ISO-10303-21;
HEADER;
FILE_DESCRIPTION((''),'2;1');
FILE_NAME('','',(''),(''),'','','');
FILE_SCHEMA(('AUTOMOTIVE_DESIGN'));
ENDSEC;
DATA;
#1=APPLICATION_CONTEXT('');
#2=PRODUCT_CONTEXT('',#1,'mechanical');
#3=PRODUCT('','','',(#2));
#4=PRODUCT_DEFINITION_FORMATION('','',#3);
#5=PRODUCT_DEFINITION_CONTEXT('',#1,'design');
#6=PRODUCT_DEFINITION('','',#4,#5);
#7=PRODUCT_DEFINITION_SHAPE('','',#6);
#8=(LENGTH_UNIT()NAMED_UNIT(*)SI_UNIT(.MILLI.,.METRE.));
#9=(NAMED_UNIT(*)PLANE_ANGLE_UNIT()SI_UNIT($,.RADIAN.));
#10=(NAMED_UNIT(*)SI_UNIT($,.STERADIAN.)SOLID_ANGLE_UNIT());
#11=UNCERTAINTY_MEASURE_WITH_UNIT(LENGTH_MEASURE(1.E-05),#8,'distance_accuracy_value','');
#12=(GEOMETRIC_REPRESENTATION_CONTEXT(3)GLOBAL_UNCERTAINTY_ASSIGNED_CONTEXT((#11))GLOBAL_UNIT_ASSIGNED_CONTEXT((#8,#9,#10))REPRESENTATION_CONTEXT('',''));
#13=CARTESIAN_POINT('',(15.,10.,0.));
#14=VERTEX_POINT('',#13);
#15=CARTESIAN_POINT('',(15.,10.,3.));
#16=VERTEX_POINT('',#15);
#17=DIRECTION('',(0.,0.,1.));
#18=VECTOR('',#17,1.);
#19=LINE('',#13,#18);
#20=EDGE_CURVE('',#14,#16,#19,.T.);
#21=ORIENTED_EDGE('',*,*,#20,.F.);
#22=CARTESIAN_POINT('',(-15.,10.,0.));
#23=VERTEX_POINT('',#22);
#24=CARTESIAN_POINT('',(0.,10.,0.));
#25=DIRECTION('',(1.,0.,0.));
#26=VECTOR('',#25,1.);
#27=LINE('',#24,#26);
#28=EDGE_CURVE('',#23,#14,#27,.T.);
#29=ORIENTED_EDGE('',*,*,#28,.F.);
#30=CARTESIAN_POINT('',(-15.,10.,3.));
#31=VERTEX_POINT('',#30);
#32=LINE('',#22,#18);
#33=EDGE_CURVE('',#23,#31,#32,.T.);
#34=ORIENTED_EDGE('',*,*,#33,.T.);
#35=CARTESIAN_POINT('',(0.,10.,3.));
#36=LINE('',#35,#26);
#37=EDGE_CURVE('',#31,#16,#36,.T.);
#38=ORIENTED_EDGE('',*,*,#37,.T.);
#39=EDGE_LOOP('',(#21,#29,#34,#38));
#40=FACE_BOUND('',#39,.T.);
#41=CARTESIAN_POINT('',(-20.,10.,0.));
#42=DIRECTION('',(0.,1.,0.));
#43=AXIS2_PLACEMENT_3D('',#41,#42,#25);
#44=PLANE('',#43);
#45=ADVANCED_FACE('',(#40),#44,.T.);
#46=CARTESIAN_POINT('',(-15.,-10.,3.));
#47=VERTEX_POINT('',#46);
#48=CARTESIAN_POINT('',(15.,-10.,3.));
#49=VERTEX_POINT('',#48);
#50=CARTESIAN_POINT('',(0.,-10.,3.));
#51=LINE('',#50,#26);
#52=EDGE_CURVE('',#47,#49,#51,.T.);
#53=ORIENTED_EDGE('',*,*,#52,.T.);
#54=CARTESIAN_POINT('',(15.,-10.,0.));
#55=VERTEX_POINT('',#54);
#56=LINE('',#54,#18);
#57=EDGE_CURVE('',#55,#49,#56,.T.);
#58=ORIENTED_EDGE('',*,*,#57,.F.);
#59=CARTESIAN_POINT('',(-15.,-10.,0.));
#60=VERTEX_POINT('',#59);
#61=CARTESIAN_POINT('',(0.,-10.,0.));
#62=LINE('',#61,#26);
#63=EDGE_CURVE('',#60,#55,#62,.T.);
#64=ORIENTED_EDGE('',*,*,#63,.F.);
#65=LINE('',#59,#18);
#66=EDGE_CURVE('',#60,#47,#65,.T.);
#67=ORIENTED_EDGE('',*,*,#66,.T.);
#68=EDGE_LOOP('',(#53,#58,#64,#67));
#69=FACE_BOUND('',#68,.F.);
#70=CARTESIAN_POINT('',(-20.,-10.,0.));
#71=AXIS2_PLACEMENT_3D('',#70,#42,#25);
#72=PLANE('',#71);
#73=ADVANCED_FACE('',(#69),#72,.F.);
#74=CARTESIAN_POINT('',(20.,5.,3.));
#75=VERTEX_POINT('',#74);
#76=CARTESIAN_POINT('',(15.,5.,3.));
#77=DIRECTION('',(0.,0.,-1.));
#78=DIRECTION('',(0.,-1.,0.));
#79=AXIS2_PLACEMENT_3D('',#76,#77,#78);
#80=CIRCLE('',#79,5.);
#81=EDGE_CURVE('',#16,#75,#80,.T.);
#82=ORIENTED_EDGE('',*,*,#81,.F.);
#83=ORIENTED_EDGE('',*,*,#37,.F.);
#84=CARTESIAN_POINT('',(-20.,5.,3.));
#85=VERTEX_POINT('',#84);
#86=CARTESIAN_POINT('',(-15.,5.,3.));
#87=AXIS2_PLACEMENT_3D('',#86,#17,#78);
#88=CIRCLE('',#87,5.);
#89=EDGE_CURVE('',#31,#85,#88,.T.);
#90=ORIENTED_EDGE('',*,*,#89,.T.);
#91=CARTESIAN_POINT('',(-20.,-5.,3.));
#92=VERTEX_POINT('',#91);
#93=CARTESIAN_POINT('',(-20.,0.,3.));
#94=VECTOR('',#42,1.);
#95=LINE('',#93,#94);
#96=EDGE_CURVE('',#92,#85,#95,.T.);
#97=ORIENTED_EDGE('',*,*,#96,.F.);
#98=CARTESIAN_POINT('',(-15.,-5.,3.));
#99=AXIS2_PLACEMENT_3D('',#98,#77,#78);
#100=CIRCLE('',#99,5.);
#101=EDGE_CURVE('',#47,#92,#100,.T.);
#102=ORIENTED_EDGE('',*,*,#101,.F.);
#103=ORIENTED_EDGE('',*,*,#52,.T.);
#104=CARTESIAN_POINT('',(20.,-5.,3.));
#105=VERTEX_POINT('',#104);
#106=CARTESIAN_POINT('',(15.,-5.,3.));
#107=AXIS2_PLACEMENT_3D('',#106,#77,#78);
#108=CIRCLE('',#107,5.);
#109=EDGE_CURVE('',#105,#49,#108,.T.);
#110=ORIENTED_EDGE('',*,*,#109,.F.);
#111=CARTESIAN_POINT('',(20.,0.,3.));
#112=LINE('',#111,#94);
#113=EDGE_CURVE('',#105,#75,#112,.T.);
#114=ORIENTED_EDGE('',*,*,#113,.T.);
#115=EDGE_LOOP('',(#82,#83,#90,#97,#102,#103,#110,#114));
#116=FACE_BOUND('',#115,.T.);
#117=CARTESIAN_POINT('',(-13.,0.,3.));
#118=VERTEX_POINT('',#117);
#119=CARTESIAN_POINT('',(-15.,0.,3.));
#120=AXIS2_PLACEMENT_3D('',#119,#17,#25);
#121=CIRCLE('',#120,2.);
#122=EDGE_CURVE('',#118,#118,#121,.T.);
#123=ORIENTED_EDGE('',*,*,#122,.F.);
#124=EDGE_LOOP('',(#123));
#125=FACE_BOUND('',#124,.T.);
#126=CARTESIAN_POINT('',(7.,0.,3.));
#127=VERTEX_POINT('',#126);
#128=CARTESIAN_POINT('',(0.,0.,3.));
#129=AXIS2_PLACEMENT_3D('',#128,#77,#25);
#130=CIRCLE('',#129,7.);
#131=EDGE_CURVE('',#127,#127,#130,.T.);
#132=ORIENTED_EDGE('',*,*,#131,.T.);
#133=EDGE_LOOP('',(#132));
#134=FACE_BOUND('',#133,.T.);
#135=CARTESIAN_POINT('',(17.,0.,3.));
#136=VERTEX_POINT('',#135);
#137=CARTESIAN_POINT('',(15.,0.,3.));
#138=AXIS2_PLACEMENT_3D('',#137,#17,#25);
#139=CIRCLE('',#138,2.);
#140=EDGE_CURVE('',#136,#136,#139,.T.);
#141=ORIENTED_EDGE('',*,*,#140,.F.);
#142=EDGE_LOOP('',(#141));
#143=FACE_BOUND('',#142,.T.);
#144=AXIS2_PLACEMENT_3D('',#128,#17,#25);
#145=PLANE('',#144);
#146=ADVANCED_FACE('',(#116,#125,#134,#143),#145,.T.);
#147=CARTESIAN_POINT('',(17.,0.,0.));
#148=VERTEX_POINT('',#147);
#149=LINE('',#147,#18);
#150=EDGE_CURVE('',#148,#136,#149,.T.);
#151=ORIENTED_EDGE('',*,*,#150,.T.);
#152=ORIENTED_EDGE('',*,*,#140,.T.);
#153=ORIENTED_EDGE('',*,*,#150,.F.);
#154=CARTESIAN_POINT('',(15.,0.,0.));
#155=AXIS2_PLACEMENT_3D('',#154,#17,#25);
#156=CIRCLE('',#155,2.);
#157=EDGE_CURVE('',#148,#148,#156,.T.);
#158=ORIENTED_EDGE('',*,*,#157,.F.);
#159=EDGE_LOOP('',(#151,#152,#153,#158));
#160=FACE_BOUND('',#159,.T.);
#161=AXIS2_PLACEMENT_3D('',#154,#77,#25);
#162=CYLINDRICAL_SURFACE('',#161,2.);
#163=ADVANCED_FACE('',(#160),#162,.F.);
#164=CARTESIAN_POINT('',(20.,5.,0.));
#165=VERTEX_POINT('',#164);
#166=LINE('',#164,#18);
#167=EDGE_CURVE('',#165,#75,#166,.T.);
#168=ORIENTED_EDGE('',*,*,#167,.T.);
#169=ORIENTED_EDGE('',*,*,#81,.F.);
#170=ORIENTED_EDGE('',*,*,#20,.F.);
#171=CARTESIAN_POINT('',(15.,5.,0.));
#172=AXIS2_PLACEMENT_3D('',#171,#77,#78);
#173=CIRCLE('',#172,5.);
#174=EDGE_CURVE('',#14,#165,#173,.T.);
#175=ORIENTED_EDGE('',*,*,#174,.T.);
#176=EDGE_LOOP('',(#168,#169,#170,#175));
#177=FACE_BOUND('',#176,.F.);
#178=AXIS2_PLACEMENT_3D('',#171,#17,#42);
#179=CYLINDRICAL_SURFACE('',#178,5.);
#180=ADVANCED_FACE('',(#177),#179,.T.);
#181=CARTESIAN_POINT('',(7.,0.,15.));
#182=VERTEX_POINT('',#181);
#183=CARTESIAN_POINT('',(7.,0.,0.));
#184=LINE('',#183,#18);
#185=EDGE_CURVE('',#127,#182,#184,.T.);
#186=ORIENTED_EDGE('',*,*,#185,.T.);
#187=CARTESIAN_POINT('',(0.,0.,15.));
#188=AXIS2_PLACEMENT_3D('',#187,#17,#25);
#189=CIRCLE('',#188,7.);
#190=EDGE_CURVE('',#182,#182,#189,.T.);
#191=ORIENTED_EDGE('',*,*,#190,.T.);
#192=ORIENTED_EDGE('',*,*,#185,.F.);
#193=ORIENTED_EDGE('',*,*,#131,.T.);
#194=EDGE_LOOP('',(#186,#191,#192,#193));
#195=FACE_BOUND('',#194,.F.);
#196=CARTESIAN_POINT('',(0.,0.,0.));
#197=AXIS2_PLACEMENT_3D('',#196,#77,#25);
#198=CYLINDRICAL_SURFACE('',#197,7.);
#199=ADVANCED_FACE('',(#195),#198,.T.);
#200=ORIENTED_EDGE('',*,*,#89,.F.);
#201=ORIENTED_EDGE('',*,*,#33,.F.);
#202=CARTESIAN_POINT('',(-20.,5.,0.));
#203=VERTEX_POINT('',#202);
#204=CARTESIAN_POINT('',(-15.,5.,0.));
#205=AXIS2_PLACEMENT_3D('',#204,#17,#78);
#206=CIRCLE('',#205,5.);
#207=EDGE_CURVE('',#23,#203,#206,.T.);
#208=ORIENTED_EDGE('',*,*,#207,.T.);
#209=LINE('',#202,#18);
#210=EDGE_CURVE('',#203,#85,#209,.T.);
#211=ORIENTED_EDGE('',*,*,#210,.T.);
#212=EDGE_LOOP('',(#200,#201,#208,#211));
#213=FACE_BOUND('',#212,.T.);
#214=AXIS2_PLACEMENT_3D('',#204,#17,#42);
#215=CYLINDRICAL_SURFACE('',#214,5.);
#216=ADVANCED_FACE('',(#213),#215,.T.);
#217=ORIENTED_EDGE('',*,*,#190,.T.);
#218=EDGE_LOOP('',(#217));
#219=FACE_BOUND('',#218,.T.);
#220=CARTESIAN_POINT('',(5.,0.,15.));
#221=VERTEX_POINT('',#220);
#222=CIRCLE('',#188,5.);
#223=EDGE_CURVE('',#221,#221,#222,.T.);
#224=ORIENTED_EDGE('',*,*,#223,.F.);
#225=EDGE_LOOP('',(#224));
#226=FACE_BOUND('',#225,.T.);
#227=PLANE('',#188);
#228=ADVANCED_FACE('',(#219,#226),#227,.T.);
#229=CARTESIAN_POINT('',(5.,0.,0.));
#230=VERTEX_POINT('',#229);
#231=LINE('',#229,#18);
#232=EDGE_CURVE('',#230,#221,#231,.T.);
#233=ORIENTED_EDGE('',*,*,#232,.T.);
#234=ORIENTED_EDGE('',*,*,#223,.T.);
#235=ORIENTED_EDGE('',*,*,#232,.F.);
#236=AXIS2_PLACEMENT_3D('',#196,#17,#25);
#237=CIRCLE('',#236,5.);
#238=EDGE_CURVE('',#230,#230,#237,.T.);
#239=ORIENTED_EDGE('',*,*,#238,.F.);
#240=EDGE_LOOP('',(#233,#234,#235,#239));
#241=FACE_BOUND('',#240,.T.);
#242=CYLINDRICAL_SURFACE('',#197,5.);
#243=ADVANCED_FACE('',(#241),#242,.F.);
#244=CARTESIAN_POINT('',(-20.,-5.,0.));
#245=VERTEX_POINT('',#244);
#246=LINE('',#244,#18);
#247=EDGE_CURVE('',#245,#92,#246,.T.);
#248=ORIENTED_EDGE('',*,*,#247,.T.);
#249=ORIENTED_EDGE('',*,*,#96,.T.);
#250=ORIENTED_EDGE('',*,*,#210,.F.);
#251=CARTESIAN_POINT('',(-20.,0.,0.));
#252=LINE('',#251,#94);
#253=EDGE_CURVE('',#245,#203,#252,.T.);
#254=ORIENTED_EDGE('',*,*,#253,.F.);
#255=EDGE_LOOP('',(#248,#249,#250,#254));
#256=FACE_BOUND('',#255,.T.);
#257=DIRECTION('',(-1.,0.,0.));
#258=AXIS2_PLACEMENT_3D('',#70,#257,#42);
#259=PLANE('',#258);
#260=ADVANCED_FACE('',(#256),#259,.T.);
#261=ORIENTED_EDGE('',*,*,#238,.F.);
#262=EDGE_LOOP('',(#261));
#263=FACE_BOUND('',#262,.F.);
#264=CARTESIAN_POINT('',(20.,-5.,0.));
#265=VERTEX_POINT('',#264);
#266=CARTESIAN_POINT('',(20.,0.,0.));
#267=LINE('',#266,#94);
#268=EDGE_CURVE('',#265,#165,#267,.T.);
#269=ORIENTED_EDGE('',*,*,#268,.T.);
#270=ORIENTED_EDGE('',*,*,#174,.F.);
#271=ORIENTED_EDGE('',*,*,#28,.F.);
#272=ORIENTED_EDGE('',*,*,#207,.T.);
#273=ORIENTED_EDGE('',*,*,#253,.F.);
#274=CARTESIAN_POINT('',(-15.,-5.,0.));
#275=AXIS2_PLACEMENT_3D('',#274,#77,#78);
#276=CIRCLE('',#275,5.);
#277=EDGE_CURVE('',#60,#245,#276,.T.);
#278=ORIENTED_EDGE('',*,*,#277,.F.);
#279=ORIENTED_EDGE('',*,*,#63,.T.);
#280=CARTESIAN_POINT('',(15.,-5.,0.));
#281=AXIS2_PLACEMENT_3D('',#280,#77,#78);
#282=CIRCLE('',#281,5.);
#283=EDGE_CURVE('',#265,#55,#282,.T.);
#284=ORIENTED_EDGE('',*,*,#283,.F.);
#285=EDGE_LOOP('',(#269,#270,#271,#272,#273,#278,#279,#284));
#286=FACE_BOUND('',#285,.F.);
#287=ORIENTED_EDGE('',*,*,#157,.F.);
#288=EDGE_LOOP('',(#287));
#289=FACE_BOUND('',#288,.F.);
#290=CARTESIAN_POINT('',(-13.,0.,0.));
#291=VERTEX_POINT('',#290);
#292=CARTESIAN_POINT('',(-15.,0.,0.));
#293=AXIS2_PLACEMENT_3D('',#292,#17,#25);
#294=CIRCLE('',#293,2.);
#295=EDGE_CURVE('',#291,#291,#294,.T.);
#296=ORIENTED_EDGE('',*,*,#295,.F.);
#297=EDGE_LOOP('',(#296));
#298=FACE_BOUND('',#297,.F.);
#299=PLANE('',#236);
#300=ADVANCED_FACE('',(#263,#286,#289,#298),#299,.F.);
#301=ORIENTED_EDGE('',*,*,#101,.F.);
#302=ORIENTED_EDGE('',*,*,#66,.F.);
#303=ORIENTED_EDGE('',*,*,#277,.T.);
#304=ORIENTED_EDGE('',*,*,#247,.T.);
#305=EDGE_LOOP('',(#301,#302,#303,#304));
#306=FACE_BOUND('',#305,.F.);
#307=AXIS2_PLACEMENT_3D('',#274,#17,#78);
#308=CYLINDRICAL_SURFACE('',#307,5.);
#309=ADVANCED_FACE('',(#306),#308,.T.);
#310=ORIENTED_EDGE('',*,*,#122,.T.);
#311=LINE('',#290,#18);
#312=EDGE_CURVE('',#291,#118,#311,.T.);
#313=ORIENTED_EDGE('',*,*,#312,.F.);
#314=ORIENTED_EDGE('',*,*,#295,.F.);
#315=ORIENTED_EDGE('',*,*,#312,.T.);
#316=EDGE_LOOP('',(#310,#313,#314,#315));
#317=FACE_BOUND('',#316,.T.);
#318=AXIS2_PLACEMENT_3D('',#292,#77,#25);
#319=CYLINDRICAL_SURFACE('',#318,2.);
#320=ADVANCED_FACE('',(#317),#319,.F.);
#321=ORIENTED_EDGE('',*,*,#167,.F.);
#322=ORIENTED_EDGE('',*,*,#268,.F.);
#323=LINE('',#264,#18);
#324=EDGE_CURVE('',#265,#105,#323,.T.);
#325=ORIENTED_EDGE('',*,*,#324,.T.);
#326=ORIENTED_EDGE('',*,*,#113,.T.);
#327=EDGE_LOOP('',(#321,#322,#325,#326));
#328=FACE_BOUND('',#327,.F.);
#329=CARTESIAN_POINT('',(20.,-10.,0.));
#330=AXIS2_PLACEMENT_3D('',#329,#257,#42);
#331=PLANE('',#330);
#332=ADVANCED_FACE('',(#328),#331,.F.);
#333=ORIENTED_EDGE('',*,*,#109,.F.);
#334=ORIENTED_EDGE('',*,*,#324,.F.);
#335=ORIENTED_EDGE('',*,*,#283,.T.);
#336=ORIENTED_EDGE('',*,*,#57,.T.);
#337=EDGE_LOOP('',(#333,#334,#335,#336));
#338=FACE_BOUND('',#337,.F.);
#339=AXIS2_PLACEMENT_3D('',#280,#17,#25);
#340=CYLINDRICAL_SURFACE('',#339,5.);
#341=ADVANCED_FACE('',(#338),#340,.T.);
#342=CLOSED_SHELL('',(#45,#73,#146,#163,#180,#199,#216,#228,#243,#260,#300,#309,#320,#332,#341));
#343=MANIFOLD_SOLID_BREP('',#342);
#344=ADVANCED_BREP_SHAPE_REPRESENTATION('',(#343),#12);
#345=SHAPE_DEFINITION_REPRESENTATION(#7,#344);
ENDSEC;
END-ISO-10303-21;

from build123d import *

# Parameters (mm, degrees)
F0_W     = 40
F0_H     = 20
F0_R     = 2
F0_R_2   = 7
F0_R_3   = 5
F1_DEPTH = 3
F2_DEPTH = 15
F3_R     = 5


with BuildPart() as f1:
    # F0 (on Top) → F1 (new body)
    with BuildSketch(Plane.XY):
        Rectangle(F0_W, F0_H)
        with Locations((-15, 0)):
            Circle(F0_R, mode=Mode.SUBTRACT)
        Circle(F0_R_2, mode=Mode.SUBTRACT)
        with Locations((15, 0)):
            Circle(F0_R, mode=Mode.SUBTRACT)
        Circle(F0_R_2)
        Circle(F0_R_3, mode=Mode.SUBTRACT)
    extrude(amount=F1_DEPTH)

    # F0 (on Top) → F2 (join)
    with BuildSketch(Plane.XY):
        Circle(F0_R_2)
        Circle(F0_R_3, mode=Mode.SUBTRACT)
    extrude(amount=F2_DEPTH)

    # F3
    f3_edges = [f1.edges().sort_by_distance(p)[0] for p in [
        (-20, 10, 1.5),
        (-20, -10, 1.5),
        (20, -10, 1.5),
        (20, 10, 1.5),
    ]]
    fillet(f3_edges, radius=F3_R)


solid = f1.part
